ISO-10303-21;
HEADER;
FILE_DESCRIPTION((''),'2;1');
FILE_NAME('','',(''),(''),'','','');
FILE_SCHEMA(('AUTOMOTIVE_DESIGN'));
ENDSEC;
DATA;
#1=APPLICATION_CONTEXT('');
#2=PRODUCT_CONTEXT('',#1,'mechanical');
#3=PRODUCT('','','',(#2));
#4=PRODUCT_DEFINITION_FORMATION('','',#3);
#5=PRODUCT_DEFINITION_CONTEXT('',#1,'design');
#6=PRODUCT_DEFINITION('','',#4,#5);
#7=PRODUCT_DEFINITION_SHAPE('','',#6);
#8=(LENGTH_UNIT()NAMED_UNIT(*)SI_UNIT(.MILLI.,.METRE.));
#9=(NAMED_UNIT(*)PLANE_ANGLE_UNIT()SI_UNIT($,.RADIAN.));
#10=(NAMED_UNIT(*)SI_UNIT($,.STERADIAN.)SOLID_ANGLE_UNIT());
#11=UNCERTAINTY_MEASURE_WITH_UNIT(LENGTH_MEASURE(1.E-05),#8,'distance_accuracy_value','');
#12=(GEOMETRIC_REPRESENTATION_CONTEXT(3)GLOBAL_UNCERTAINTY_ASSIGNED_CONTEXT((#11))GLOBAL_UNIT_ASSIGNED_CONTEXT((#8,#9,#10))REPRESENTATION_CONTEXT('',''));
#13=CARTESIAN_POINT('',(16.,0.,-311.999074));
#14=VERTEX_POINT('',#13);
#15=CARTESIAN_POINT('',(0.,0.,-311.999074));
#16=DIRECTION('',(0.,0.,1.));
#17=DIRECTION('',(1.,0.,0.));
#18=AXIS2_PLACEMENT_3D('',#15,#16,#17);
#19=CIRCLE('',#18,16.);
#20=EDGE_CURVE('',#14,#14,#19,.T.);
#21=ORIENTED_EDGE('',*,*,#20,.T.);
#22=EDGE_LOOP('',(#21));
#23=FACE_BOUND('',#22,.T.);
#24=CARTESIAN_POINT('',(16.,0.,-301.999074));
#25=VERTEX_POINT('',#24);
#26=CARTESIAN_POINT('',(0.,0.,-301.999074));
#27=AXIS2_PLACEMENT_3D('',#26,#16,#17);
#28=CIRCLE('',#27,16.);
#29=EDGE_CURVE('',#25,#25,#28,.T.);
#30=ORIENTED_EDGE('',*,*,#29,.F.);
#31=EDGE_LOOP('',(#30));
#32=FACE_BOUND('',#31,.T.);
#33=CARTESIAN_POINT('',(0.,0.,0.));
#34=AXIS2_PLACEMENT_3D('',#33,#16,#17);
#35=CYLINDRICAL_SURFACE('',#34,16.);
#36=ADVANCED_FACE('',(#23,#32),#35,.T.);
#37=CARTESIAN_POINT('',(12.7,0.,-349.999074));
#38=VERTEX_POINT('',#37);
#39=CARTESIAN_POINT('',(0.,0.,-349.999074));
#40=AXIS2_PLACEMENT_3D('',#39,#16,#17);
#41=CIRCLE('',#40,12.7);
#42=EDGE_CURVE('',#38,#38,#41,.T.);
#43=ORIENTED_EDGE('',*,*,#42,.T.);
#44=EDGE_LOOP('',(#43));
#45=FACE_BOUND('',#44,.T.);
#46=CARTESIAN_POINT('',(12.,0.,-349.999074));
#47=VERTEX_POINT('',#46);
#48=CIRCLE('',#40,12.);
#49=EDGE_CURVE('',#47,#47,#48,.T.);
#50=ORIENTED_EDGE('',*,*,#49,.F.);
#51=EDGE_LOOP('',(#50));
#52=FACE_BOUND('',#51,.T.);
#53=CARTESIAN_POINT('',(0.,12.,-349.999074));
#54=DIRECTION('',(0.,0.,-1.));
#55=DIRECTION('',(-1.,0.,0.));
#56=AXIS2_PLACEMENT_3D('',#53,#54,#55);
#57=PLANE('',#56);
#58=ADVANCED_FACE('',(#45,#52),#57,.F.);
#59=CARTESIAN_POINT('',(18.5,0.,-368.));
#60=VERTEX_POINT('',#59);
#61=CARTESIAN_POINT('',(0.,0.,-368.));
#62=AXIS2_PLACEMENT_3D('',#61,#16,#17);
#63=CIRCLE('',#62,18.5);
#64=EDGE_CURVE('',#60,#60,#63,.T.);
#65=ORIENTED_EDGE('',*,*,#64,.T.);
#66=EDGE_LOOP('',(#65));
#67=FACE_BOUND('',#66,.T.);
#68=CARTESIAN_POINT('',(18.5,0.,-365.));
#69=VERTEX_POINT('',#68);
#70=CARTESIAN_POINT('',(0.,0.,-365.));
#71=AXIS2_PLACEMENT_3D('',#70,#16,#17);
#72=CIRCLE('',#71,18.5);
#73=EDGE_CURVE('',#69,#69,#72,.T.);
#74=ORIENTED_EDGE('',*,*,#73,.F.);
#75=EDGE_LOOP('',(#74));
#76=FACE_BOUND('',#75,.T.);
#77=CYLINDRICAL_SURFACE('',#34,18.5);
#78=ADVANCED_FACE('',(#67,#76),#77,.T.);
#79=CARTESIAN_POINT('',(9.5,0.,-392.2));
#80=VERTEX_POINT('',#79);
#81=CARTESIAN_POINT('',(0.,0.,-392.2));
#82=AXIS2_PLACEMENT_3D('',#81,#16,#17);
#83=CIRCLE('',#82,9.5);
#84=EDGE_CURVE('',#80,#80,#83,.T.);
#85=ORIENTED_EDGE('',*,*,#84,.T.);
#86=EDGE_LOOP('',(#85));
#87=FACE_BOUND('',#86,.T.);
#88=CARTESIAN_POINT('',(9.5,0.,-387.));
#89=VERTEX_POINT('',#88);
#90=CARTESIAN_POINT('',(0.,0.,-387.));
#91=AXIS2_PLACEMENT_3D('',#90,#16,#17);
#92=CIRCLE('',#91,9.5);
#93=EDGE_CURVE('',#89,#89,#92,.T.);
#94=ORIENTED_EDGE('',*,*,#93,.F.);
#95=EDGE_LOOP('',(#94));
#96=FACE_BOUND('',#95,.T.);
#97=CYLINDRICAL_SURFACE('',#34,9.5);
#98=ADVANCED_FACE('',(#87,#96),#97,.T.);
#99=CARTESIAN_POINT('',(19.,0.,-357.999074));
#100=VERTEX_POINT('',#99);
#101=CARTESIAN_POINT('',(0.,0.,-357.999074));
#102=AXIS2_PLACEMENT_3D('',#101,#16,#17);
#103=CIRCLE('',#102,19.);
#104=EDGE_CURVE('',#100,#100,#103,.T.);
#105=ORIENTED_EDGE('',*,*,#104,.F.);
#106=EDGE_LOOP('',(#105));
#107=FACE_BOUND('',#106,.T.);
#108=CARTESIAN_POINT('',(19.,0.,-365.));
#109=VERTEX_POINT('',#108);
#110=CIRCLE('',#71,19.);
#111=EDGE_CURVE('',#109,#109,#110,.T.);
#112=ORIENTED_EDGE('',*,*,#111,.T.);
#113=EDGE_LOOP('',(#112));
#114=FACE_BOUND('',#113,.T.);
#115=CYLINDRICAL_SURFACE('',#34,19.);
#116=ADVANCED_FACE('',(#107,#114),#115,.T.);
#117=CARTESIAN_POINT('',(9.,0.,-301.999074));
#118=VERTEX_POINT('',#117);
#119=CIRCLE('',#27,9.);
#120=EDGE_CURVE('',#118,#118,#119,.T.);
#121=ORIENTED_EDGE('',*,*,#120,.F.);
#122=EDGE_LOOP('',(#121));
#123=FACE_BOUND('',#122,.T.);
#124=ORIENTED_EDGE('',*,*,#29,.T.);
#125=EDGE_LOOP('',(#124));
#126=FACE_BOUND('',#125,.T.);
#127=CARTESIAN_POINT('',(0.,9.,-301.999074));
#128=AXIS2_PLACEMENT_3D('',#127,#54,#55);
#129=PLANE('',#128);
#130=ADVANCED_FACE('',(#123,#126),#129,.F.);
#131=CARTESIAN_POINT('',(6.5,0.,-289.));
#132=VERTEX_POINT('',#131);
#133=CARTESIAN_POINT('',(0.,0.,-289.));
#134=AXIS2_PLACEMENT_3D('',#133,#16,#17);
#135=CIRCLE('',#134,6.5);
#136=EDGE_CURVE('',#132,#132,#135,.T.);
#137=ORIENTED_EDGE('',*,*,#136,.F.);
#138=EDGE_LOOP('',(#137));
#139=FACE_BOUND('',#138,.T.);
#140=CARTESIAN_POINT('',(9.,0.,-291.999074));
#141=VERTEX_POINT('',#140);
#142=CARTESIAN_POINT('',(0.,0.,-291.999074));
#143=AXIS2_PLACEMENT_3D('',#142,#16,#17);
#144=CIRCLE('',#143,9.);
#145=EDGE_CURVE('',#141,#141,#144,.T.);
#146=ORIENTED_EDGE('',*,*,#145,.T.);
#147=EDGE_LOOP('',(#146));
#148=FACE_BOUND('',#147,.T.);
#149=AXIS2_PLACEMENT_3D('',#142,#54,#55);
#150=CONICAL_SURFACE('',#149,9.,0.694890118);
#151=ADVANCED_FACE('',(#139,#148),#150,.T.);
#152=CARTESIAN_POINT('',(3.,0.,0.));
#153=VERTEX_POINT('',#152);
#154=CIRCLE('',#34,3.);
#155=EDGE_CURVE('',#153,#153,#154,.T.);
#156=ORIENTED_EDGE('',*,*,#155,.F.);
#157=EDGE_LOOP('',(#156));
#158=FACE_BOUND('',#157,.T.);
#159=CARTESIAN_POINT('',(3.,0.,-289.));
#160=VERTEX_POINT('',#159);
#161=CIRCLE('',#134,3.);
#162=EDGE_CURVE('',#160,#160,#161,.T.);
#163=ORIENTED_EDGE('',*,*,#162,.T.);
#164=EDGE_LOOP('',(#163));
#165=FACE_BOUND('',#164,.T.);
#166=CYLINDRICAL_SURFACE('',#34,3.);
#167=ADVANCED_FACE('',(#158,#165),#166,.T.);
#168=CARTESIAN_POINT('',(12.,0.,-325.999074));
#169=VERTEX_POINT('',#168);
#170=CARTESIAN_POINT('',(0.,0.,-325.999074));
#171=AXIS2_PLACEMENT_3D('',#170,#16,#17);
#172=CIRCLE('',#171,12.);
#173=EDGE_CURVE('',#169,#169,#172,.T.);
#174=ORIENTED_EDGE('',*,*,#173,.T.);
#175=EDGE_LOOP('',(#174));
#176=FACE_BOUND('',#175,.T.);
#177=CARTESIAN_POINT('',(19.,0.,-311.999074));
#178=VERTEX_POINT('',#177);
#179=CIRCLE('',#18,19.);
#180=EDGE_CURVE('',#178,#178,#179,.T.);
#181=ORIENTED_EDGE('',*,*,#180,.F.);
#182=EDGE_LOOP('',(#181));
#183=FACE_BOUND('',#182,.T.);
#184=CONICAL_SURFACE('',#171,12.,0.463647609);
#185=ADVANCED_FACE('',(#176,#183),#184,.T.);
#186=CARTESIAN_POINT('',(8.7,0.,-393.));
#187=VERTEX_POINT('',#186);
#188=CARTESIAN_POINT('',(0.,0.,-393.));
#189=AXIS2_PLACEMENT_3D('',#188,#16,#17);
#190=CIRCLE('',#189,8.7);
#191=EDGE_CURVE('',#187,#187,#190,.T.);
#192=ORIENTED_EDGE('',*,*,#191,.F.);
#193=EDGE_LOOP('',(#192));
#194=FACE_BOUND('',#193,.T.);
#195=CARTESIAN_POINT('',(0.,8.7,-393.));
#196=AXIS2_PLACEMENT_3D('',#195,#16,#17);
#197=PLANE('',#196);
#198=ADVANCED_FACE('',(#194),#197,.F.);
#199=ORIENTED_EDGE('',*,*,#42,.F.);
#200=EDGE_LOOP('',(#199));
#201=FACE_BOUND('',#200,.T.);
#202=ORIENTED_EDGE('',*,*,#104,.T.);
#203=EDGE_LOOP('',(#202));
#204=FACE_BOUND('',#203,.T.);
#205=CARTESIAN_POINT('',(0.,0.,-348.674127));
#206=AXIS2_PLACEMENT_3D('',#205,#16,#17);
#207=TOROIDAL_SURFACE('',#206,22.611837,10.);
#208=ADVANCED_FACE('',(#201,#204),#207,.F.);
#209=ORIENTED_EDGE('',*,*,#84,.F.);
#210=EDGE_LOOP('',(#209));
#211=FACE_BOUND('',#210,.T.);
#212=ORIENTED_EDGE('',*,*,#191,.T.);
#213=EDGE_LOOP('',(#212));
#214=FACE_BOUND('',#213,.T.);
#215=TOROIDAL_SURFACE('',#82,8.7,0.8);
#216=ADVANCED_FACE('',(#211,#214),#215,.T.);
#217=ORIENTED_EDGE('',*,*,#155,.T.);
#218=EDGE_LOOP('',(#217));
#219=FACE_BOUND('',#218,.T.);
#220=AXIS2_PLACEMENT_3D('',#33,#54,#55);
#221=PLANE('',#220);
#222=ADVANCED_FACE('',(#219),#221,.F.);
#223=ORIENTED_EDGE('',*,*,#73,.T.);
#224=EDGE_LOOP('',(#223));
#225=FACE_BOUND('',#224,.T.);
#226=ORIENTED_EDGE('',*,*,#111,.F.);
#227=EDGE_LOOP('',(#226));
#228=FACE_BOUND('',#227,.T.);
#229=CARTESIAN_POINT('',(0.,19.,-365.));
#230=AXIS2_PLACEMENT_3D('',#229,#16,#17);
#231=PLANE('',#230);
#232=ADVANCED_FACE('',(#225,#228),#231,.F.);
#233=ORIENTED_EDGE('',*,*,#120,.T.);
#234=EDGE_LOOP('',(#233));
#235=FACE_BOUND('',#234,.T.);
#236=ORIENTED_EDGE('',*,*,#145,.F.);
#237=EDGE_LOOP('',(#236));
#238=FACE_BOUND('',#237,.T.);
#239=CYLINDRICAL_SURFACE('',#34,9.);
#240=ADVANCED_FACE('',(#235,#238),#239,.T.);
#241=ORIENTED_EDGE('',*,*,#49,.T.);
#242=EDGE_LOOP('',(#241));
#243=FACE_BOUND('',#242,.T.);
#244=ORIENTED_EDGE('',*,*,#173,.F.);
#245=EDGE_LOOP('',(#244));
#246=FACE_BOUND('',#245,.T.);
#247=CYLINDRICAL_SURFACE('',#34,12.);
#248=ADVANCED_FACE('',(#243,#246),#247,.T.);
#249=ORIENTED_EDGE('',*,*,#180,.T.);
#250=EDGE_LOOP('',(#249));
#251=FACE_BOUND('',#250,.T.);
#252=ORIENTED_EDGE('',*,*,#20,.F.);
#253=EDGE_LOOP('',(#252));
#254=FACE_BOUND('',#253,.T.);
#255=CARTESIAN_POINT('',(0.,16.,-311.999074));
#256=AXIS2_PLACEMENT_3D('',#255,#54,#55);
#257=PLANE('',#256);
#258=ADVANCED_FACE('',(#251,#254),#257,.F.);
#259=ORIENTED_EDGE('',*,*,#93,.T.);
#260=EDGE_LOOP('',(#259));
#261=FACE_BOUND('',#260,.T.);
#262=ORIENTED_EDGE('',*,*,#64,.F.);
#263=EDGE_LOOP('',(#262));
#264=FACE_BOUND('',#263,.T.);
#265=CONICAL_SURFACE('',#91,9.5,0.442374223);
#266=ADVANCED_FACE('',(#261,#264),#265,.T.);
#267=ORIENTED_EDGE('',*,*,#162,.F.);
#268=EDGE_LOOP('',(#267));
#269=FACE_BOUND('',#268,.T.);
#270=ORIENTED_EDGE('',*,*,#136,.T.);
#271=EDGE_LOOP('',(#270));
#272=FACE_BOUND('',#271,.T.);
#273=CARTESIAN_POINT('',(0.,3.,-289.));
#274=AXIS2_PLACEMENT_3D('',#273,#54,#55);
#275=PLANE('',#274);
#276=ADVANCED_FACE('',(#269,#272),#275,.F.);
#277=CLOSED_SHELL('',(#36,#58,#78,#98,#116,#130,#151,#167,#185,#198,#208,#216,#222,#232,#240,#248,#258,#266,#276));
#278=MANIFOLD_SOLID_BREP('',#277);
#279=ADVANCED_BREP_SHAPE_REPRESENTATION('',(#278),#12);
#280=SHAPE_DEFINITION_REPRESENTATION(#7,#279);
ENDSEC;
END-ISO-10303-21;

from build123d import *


with BuildPart() as part:
    # Эскиз1 → Повернуть1 (revolve)
    with BuildSketch(Plane(origin=(0, 0, 0), x_dir=(0, 0, -1), z_dir=(1, 0, 0)), mode=Mode.PRIVATE) as revolve_1_sk:
        with BuildLine():
            Line((0, 0), (0, 3))
            Line((0, 3), (289, 3))
            Line((289, 3), (289, 6.5))
            Line((289, 6.5), (291.999073931, 9))
            Line((291.999073931, 9), (301.999073931, 9))
            Line((301.999073931, 9), (301.999073931, 16))
            Line((301.999073931, 16), (311.999073931, 16))
            Line((311.999073931, 16), (311.999073931, 19))
            Line((311.999073931, 19), (325.999073931, 12))
            Line((325.999073931, 12), (349.999073931, 12))
            Line((349.999073931, 12), (349.999073931, 12.7))
            ThreePointArc((349.999073931, 12.7), (354.861013139, 14.755474022), (357.999073931, 19))
            Line((357.999073931, 19), (365, 19))
            Line((365, 19), (365, 18.5))
            Line((365, 18.5), (368, 18.5))
            Line((368, 18.5), (387, 9.5))
            Line((387, 9.5), (392.2, 9.5))
            ThreePointArc((392.2, 9.5), (392.765685425, 9.265685425), (393, 8.7))
            Line((393, 8.7), (393, 0))
            Line((393, 0), (0, 0))
        make_face()
    revolve(revolve_1_sk.sketch.rotate(Axis((0, 0, 0), (0, 0, -1)), 90), axis=Axis((0, 0, 0), (0, 0, -1)))


solid = part.part
